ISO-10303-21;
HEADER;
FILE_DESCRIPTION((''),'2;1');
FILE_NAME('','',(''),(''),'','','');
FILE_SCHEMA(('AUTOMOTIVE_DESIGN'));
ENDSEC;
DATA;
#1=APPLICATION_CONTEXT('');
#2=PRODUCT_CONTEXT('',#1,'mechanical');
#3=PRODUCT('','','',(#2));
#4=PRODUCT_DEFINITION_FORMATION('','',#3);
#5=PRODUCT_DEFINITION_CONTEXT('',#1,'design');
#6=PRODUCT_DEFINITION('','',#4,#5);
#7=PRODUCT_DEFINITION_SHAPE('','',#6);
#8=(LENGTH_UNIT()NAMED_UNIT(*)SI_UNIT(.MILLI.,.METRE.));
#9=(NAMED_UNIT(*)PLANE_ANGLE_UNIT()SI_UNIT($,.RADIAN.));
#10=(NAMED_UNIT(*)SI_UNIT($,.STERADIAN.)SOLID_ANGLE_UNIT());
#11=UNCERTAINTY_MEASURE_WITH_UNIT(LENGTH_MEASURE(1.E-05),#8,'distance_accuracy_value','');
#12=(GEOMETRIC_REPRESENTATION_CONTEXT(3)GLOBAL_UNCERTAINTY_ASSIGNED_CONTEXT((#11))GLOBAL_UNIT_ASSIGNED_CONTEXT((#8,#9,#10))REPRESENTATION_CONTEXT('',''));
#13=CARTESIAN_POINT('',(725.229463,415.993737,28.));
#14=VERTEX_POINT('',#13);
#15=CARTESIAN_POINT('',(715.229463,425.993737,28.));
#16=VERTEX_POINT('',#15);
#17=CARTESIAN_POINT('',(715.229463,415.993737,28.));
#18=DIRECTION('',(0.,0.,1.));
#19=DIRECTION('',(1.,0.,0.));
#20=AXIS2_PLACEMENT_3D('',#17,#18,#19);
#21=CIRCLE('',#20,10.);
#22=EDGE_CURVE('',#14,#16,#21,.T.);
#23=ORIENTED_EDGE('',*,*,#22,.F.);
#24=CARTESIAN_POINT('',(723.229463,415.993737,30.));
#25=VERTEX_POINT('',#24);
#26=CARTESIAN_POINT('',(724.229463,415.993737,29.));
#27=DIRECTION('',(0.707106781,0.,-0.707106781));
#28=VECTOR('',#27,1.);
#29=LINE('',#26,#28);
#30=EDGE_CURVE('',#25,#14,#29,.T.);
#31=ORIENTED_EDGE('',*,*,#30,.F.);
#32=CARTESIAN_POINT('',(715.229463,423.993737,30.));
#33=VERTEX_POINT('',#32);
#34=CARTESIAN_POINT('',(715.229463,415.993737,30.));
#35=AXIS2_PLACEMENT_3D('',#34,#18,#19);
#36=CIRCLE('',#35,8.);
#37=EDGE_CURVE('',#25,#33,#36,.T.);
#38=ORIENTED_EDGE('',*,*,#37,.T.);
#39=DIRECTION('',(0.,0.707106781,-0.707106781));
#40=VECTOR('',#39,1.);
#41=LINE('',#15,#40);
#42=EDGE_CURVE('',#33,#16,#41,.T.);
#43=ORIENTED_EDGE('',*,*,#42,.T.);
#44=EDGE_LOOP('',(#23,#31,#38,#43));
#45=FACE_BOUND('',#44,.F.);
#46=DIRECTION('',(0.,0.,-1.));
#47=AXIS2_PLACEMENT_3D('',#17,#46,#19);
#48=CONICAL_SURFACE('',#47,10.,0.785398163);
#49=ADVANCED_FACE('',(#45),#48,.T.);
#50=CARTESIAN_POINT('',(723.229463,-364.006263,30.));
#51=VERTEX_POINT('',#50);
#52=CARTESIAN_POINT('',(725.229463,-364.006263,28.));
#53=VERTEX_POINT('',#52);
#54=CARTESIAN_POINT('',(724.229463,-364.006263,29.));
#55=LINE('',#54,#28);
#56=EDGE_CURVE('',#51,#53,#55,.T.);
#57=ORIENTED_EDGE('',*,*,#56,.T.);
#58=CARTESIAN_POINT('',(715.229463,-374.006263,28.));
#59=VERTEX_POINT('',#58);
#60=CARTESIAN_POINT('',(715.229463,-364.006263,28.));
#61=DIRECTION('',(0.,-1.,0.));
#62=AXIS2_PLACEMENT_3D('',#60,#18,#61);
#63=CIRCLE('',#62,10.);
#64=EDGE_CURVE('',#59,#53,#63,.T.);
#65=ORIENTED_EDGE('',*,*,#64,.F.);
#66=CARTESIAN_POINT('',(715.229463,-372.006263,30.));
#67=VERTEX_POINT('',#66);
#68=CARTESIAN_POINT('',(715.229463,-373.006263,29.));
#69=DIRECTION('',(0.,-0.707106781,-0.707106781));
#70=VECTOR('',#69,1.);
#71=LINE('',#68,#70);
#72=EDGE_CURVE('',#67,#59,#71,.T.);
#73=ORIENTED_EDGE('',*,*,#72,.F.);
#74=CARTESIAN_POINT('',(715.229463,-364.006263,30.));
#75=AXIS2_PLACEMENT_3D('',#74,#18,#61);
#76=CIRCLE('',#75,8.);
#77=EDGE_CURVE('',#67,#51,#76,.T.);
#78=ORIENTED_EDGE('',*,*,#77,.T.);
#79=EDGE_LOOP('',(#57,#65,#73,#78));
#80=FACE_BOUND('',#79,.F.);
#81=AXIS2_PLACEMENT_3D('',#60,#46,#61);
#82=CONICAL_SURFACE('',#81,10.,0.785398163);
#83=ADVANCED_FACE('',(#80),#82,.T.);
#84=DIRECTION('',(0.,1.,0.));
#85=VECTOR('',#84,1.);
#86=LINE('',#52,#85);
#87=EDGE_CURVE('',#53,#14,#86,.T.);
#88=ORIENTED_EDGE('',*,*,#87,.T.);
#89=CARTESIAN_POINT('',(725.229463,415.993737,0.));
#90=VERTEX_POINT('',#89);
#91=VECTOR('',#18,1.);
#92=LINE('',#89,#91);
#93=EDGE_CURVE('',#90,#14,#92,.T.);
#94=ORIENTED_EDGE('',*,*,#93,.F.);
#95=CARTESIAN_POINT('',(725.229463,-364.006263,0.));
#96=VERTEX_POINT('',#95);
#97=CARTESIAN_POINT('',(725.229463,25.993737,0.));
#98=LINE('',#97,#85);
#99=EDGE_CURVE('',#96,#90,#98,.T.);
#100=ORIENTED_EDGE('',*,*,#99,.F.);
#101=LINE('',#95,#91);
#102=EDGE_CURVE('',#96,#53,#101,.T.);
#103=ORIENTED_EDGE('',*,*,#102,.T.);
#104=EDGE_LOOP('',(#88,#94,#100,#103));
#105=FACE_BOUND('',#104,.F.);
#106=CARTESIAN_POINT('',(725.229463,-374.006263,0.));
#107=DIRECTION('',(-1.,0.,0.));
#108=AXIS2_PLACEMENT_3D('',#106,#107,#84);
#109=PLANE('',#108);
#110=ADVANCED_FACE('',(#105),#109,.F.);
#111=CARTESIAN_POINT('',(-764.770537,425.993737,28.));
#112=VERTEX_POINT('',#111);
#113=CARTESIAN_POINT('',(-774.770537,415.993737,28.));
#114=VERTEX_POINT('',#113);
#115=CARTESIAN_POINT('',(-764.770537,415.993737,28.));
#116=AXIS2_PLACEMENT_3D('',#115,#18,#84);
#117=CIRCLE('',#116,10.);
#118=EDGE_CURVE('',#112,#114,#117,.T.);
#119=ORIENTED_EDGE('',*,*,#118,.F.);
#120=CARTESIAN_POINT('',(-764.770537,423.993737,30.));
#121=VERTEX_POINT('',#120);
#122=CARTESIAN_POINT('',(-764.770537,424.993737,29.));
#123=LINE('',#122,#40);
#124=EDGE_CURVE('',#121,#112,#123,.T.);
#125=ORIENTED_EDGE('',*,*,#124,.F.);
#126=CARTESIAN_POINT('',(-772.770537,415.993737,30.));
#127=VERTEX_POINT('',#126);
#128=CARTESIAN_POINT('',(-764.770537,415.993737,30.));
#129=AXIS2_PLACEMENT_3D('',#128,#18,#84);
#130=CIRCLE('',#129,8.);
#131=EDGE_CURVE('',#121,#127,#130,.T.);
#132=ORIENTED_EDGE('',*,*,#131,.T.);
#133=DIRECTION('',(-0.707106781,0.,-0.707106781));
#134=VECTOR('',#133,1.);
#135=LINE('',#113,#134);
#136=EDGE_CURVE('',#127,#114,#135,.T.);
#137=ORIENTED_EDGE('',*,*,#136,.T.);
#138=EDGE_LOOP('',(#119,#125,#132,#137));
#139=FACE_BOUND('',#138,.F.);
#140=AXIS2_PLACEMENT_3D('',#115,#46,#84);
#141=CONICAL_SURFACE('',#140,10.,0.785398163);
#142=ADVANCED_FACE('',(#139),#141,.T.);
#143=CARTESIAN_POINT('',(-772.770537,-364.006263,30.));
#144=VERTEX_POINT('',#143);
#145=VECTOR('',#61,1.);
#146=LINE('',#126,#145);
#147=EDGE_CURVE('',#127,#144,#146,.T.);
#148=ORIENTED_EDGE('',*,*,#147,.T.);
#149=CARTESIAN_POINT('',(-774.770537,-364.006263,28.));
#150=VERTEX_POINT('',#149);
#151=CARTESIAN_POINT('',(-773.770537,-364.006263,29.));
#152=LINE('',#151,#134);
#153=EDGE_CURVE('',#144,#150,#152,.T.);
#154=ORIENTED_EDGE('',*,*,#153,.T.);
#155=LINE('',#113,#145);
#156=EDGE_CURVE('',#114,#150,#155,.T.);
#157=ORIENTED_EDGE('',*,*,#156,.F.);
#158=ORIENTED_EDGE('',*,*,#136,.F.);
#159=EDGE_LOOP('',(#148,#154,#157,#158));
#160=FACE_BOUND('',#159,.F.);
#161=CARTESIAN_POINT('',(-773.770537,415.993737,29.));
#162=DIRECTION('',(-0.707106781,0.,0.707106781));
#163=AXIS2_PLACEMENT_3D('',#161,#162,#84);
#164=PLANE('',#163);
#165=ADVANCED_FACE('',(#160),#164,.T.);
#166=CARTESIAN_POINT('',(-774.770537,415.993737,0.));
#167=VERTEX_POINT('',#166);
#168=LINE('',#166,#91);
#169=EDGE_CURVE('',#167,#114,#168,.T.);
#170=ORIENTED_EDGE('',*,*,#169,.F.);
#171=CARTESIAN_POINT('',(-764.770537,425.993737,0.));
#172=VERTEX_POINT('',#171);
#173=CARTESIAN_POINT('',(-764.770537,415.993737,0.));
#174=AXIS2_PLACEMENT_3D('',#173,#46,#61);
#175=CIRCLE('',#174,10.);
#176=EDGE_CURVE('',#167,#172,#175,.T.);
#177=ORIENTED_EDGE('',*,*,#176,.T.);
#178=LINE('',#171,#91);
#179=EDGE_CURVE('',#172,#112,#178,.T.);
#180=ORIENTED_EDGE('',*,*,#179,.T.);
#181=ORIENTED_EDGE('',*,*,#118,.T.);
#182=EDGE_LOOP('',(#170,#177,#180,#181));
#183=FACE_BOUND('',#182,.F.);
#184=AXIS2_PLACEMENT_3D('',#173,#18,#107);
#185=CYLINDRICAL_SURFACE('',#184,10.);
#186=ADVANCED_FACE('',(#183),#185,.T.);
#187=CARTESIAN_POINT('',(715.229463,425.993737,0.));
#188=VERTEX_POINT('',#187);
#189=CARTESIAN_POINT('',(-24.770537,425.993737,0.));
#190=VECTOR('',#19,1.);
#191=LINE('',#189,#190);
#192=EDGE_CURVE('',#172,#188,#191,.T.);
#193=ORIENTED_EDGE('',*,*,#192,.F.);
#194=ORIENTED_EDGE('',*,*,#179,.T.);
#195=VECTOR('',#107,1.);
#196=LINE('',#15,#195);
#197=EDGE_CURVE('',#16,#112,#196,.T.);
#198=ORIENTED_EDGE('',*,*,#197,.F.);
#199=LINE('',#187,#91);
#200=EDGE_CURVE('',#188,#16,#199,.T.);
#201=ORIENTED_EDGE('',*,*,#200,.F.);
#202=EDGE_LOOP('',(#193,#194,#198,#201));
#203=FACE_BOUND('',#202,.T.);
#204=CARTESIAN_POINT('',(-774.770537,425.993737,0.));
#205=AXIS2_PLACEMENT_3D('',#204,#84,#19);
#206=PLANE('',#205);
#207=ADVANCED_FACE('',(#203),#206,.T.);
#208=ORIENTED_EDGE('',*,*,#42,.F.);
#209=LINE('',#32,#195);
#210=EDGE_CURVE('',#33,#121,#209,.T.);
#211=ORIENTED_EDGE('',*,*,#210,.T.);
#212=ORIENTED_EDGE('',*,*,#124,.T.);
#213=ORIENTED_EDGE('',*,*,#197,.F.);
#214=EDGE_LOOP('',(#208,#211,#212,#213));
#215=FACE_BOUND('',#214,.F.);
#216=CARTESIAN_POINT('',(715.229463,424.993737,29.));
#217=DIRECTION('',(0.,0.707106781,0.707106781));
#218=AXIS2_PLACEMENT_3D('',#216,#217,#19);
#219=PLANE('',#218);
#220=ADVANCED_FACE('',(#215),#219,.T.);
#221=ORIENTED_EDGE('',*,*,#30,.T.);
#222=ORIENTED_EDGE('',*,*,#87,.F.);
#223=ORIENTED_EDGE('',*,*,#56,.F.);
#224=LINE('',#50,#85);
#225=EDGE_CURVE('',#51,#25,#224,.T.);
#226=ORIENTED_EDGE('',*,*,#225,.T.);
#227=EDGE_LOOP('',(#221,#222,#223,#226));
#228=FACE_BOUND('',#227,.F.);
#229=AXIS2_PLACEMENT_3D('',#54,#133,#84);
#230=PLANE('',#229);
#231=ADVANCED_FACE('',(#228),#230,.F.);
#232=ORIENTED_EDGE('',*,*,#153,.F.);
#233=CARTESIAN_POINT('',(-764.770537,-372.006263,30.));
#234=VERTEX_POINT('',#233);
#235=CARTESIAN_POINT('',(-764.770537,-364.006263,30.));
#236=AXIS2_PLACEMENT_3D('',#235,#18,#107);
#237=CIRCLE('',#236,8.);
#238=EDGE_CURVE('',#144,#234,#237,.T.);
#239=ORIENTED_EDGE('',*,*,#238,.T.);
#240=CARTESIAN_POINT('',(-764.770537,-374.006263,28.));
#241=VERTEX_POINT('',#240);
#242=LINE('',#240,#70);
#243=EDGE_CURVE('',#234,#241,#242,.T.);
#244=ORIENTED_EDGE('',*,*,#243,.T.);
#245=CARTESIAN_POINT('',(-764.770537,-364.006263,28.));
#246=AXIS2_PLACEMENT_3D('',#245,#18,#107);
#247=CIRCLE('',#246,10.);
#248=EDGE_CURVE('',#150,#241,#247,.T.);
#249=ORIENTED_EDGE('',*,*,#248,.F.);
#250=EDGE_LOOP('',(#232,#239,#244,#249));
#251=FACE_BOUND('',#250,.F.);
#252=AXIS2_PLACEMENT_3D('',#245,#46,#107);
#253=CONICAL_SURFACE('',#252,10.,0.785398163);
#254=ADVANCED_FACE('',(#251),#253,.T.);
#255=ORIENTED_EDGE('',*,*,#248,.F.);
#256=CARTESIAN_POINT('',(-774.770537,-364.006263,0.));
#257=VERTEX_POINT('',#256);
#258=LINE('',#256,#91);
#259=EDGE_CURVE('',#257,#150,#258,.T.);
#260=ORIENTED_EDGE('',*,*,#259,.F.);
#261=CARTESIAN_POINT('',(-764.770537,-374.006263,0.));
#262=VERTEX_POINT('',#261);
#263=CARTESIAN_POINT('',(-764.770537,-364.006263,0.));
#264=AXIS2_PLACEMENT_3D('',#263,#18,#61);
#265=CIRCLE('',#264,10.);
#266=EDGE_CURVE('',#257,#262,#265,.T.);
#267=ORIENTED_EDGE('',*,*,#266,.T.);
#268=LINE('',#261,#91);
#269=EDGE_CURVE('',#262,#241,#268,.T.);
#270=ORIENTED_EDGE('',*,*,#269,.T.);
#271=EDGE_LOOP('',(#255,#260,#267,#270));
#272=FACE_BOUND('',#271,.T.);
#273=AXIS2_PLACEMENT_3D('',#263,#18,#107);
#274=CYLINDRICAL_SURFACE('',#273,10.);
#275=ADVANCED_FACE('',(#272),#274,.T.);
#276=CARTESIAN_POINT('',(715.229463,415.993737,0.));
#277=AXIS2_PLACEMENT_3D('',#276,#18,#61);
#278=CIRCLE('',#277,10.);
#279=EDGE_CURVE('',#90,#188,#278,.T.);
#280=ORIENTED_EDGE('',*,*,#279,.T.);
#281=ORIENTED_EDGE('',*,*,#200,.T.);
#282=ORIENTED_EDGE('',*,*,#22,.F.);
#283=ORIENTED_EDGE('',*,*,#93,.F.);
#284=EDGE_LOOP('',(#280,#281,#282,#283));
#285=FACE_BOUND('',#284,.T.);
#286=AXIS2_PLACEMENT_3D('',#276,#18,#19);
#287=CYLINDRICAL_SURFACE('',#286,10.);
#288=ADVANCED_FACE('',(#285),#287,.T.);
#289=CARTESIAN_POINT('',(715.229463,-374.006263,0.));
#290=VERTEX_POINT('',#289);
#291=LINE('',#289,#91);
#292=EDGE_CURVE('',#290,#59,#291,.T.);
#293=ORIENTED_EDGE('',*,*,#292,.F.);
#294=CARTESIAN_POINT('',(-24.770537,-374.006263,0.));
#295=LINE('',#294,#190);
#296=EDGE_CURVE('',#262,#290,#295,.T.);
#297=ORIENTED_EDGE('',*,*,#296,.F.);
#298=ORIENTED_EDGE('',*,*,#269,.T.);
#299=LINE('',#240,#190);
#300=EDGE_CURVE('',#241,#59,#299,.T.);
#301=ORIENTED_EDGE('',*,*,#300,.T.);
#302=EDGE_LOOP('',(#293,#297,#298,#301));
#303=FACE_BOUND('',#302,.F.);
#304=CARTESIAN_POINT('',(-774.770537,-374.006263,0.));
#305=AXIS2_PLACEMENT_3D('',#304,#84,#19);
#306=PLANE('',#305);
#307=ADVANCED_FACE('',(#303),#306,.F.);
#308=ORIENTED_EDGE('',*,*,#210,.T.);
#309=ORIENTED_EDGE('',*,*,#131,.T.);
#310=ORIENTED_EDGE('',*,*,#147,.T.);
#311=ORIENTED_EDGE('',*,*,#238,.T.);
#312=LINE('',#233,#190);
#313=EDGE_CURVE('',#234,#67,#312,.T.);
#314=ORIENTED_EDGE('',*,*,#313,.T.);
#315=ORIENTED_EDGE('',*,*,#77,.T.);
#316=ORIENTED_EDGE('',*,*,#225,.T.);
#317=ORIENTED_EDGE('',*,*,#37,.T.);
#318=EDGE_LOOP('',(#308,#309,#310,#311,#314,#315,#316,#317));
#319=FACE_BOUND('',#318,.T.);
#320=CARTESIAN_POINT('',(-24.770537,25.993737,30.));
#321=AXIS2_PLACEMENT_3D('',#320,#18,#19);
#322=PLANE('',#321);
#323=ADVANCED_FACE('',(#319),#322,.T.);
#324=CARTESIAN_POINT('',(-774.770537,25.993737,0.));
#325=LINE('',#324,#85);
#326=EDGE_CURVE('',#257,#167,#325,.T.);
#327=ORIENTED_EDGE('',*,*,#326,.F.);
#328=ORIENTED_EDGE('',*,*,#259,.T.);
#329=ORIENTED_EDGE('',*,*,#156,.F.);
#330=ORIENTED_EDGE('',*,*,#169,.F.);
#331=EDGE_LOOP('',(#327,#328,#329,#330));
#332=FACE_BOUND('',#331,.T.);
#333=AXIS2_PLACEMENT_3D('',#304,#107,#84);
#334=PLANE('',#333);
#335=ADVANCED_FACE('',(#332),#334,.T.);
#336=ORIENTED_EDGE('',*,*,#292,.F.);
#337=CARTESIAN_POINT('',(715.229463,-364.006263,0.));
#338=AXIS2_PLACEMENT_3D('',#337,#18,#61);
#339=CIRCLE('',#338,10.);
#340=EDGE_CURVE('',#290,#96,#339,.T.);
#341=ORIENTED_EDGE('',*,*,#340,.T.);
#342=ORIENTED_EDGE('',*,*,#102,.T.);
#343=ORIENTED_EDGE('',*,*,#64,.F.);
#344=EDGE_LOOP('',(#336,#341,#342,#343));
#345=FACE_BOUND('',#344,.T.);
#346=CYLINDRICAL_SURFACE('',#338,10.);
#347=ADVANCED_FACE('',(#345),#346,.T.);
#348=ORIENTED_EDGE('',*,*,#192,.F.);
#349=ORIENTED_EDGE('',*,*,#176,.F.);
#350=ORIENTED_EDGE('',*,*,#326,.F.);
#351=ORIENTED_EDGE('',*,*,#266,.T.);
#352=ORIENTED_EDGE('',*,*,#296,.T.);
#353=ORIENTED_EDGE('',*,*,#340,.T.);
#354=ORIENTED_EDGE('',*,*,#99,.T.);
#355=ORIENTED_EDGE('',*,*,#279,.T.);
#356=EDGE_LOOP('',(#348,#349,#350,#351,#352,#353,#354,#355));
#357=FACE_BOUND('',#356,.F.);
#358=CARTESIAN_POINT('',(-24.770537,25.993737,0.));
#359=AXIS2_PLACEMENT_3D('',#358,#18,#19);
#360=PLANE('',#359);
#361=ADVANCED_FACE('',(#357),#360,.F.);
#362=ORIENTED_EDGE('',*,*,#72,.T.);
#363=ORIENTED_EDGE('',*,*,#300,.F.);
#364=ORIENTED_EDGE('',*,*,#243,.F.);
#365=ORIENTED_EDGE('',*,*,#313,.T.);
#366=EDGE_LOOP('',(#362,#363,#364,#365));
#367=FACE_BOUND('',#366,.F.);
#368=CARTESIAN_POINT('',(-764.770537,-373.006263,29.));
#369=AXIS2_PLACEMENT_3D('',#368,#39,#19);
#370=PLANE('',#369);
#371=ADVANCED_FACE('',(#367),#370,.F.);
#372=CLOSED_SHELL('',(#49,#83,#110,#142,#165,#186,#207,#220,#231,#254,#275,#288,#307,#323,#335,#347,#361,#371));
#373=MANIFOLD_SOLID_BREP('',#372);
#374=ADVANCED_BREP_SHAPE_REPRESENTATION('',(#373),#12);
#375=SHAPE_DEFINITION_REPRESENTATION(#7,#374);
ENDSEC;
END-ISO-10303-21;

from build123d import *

# Parameters (mm, degrees)
F0_W     = 1500
F0_H     = 800
F1_DEPTH = 30
F2_R     = 10
F3_SIZE  = 2


with BuildPart() as f1:
    # F0 (on Top) → F1 (new body)
    with BuildSketch(Plane.XY):
        with Locations((-24.770537, 25.993737)):
            Rectangle(F0_W, F0_H)
    extrude(amount=F1_DEPTH)

    # F2
    f2_edges = [f1.edges().sort_by_distance(p)[0] for p in [
        (725.229463, -374.006263, 15),
        (725.229463, 425.993737, 15),
        (-774.770537, -374.006263, 15),
        (-774.770537, 425.993737, 15),
    ]]
    fillet(f2_edges, radius=F2_R)

    # F3
    f3_edges = [f1.edges().sort_by_distance(p)[0] for p in [
        (725.229463, 25.993737, 30),
        (722.30053, -371.07733, 30),
        (722.30053, 423.064805, 30),
        (-24.770537, -374.006263, 30),
        (-24.770537, 425.993737, 30),
        (-771.841605, -371.07733, 30),
        (-771.841605, 423.064805, 30),
        (-774.770537, 25.993737, 30),
    ]]
    chamfer(f3_edges, length=F3_SIZE)


solid = f1.part
